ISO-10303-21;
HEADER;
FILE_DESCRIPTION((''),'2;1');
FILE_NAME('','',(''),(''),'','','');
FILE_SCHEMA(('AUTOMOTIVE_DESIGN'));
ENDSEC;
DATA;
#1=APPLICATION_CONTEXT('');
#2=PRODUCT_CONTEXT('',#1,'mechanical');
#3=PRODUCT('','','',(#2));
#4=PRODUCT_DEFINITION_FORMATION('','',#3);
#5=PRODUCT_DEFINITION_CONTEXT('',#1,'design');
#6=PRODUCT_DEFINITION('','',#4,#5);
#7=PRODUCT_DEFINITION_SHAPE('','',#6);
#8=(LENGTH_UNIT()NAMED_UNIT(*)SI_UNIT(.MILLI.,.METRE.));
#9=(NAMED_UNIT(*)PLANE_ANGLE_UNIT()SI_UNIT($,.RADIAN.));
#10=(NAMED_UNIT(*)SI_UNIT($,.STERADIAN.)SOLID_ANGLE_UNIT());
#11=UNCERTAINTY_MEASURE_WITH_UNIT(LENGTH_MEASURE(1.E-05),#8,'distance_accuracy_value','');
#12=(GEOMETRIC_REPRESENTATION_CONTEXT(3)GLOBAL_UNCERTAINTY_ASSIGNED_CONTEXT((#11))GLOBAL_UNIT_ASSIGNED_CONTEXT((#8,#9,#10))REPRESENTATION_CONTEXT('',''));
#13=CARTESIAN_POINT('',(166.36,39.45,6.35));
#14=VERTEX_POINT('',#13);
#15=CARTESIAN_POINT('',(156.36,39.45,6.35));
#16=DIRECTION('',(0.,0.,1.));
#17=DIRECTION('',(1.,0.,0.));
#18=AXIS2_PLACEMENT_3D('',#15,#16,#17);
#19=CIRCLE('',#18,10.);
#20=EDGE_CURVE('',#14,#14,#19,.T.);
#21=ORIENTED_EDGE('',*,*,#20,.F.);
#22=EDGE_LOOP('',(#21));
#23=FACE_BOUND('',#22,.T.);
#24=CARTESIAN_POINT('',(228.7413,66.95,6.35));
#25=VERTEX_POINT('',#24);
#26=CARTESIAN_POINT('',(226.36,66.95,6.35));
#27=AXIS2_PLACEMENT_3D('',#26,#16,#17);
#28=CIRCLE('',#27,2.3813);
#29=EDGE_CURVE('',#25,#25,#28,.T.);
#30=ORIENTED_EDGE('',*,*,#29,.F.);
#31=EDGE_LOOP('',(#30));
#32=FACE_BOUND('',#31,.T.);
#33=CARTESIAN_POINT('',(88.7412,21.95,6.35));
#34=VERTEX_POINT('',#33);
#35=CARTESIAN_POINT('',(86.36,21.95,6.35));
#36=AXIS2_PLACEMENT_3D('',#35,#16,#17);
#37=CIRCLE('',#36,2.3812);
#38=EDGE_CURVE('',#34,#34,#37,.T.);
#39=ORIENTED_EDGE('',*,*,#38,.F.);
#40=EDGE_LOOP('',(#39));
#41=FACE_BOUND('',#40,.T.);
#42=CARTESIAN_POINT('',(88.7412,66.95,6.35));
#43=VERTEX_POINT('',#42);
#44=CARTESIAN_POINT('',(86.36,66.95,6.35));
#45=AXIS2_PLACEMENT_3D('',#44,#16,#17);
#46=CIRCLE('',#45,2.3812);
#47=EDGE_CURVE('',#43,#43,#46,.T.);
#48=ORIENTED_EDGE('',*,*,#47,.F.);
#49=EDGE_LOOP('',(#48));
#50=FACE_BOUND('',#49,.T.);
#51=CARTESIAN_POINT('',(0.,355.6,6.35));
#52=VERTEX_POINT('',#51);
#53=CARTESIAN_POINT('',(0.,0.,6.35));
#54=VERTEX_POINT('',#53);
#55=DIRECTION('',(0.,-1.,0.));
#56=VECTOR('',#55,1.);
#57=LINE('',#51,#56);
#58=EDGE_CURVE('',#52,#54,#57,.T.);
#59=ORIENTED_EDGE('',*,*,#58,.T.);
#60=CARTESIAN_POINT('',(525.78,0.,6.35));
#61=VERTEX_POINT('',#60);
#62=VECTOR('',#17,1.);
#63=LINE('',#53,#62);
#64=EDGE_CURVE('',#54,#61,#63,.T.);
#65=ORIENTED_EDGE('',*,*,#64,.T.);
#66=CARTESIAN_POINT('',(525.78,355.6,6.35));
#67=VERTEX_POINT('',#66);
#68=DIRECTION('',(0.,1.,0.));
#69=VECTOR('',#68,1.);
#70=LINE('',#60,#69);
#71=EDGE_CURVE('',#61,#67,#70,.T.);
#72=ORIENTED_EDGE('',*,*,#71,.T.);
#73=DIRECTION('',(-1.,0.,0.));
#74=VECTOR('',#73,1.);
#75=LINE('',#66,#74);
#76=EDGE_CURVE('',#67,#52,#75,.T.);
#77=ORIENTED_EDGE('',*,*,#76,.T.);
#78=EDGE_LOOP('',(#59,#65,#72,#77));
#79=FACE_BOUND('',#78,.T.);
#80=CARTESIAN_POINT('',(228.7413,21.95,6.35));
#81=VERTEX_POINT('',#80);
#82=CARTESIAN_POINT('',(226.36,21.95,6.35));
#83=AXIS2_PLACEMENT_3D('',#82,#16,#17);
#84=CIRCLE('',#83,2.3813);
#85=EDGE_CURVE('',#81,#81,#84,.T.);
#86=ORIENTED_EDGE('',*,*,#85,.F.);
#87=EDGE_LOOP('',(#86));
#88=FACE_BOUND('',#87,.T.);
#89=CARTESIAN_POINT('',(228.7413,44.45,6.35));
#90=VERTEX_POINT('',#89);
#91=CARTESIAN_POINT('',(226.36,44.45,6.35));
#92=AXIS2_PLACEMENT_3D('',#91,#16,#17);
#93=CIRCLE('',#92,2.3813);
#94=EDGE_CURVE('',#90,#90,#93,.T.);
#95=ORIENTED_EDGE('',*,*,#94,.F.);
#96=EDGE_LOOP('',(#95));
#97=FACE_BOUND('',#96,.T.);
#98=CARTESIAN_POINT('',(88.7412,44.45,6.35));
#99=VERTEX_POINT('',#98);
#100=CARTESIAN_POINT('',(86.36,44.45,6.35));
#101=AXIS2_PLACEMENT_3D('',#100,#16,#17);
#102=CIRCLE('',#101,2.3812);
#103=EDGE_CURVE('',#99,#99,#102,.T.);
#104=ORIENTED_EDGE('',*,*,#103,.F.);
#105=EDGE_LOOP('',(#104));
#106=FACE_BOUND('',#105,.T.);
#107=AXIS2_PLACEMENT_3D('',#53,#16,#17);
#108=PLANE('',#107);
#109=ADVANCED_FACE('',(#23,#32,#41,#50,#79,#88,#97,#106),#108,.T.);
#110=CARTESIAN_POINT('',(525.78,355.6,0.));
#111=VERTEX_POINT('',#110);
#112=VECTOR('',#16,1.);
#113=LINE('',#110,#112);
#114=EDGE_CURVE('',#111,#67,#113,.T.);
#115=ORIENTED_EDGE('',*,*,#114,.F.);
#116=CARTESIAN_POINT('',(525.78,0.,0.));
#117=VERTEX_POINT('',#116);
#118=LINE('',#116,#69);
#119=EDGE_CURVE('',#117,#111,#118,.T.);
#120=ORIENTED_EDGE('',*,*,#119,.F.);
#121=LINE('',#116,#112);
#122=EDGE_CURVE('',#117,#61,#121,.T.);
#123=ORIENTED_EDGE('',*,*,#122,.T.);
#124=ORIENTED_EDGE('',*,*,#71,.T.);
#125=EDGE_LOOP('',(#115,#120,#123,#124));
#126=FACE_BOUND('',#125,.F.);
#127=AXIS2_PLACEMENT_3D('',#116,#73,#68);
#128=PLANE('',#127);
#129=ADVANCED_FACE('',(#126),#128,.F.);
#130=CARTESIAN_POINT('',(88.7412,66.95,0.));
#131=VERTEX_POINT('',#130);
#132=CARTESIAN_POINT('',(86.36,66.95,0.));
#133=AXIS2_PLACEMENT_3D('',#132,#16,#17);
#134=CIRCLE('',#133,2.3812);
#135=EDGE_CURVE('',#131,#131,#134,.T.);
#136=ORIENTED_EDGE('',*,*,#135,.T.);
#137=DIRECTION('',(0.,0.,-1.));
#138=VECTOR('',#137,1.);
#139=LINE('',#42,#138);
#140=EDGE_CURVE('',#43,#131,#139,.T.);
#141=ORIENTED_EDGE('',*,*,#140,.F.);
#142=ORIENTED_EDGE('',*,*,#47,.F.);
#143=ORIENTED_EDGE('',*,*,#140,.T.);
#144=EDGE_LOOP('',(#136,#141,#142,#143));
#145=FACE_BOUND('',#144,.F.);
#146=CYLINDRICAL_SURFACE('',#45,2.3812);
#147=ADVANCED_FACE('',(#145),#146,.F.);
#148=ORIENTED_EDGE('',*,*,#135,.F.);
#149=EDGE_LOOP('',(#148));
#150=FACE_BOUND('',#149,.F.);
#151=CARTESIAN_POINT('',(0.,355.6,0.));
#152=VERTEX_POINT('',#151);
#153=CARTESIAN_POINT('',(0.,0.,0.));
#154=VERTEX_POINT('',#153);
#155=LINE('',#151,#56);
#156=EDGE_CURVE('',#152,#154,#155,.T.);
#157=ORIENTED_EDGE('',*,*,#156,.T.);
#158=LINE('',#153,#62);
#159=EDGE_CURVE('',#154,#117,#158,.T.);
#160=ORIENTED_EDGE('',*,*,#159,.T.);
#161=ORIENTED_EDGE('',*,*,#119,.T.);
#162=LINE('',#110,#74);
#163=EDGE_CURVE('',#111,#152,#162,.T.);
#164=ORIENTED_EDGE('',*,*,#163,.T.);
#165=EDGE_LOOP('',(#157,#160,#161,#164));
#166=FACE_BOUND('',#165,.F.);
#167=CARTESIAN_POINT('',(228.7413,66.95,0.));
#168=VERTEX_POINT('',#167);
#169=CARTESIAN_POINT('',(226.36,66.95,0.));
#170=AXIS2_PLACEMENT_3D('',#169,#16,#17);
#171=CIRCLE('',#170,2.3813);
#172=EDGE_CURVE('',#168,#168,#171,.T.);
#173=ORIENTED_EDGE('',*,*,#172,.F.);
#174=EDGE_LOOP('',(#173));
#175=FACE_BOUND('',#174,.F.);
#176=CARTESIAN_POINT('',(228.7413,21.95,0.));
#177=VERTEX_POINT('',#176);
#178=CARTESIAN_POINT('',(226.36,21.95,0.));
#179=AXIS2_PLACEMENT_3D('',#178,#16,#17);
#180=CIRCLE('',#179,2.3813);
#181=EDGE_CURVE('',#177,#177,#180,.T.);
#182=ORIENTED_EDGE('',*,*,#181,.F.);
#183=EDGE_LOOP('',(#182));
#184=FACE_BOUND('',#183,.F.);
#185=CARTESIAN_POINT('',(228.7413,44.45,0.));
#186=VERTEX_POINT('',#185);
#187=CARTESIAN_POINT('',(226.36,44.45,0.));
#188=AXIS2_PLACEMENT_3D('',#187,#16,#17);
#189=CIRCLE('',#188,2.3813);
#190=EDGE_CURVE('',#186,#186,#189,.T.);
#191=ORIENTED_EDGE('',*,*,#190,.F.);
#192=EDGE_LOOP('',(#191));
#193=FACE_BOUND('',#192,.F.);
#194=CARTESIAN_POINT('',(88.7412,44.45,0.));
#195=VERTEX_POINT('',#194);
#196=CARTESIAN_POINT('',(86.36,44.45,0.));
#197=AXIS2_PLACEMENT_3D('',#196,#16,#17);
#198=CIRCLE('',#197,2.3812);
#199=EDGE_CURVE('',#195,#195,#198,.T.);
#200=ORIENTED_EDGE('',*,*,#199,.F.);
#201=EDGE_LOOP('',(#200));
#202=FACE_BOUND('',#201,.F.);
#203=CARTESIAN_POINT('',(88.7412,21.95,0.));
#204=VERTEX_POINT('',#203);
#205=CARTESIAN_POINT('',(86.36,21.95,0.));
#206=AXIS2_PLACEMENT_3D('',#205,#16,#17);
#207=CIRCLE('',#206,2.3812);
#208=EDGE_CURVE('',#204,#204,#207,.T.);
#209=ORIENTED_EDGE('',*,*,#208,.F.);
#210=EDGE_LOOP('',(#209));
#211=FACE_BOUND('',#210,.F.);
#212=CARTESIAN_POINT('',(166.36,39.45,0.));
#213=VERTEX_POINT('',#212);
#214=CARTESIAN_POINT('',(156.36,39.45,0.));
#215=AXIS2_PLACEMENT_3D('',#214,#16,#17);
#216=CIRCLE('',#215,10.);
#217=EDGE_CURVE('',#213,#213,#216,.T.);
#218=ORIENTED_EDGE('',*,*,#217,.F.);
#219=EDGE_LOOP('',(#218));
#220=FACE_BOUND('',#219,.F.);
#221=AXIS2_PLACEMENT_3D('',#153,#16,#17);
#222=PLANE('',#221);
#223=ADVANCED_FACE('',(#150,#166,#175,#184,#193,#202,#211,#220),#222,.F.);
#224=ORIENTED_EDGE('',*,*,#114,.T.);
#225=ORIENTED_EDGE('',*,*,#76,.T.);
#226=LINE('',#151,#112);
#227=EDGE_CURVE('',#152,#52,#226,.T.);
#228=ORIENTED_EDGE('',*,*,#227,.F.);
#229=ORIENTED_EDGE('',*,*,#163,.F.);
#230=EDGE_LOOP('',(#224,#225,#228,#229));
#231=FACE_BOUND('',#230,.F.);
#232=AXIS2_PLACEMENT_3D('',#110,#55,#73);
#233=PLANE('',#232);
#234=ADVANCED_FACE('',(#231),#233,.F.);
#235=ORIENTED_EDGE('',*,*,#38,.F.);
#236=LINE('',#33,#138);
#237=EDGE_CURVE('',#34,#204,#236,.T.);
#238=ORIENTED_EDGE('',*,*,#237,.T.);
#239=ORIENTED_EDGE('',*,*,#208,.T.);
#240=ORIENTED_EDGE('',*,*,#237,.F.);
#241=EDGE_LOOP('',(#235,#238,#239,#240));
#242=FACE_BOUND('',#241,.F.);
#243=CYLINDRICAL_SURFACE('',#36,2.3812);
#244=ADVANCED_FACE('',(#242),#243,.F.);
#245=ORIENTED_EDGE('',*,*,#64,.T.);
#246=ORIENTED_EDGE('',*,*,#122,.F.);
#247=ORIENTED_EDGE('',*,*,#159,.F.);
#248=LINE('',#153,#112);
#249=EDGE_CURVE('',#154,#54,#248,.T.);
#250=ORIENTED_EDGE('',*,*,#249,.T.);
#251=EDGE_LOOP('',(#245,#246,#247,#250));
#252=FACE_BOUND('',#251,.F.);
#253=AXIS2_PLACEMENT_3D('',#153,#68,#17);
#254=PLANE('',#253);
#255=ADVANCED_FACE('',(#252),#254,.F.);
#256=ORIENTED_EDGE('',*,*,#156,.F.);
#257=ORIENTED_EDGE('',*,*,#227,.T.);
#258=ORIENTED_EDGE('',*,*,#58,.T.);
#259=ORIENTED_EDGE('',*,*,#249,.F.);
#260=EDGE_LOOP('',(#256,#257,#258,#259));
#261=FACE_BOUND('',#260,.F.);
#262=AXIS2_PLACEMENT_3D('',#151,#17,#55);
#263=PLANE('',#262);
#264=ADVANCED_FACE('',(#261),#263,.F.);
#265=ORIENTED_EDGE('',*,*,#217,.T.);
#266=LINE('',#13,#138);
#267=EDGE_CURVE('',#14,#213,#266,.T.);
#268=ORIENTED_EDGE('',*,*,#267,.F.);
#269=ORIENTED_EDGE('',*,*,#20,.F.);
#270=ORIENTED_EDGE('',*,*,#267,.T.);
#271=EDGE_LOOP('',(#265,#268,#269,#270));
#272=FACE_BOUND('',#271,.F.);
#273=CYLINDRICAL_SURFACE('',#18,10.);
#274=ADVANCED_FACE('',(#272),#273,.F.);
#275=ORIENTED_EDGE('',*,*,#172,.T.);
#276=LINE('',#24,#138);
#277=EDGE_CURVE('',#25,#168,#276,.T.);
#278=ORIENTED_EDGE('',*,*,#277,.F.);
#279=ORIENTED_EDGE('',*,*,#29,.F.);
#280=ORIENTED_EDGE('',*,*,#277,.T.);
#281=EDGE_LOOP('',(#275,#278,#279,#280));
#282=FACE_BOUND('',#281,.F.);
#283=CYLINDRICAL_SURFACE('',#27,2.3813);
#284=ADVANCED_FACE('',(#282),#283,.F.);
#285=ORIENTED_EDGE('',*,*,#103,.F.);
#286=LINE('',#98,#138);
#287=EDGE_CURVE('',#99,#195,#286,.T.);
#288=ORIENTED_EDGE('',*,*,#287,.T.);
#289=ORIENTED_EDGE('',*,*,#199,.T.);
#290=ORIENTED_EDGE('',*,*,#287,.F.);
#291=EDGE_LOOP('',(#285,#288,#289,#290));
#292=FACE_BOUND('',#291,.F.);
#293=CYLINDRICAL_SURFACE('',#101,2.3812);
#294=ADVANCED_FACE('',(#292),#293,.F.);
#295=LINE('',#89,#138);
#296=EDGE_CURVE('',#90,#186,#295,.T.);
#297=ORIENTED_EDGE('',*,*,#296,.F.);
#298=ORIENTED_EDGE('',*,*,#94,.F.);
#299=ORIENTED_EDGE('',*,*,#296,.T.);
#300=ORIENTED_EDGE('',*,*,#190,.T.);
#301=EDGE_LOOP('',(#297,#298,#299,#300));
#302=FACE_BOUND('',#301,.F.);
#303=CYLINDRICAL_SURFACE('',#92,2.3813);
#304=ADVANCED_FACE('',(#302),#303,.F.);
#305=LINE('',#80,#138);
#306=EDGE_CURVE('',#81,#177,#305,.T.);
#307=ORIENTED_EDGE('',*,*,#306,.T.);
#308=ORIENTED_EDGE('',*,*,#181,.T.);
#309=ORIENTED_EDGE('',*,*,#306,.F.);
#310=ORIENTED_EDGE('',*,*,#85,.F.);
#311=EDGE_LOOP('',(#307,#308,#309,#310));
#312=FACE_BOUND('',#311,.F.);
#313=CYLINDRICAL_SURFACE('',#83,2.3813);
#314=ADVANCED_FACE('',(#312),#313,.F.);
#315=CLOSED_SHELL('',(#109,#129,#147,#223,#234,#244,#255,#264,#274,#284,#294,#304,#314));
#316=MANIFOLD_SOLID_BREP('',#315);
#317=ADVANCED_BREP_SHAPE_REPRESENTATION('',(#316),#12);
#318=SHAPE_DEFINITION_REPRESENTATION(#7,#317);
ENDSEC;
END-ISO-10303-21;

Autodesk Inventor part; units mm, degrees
ref_plane "YZ Plane" through (0, 0, 0) normal (1, 0, 0) x (0, 1, 0)
ref_plane "XZ Plane" through (0, 0, 0) normal (0, 1, 0) x (-1, 0, 0)
ref_plane "XY Plane" through (0, 0, 0) normal (0, 0, 1) x (1, 0, 0)
sketch "Sketch1" plane through (0, 0, 0) normal (0, 0, 1) x (1, 0, 0)
  line L0 (0, 0) -> (525.78, 0)
  line L1 (525.78, 0) -> (525.78, 355.6)
  line L2 (525.78, 355.6) -> (0, 355.6)
  line L3 (0, 355.6) -> (0, 0)
  dimension "d0" = 525.78
  dimension "d1" = 355.6
extrude "Extrusion1" add sketch "Sketch1" along normal blind 6.35
sketch "Sketch9" plane through (0, 0, 6.35) normal (0, 0, 1) x (1, 0, 0)
  line L0 (525.78, 0) -> (525.78, 355.6) construction
  line L1 (0, 0) -> (525.78, 0) construction
  line L2 (525.78, 0) -> (525.78, 88.9)
  line L3 (525.78, 88.9) -> (0, 88.9) construction
  line L4 (0, 88.9) -> (0, 0) construction
  line L5 (86.36, 21.95) -> (86.36, 66.95) construction
  line L6 (86.36, 66.95) -> (226.36, 66.95) construction
  line L7 (226.36, 66.95) -> (226.36, 21.95) construction
  line L8 (226.36, 21.95) -> (86.36, 21.95) construction
  circle A0 centre (86.36, 66.95) radius 2.3812
  circle A1 centre (86.36, 44.45) radius 2.3812
  circle A2 centre (86.36, 21.95) radius 2.3812
  circle A3 centre (226.36, 21.95) radius 2.3813
  circle A4 centre (226.36, 44.45) radius 2.3813
  circle A5 centre (226.36, 66.95) radius 2.3813
  line L9 (86.36, 44.45) -> (226.36, 44.45) construction
  line L10 (156.36, 66.95) -> (156.36, 21.95) construction
  line L11 (146.36, 49.45) -> (146.36, 29.45) construction
  line L12 (146.36, 29.45) -> (166.36, 29.45) construction
  line L13 (166.36, 29.45) -> (166.36, 49.45) construction
  line L14 (166.36, 49.45) -> (146.36, 49.45) construction
  circle A6 centre (156.36, 39.45) radius 10
  point P0 (0, 44.45)
  point P1 (146.36, 39.45)
  point P2 (166.36, 39.45)
  dimension "d41" = 45
  dimension "d42" = 140
  dimension "d43" = 4.7625
  dimension "d44" = 4.7625
  dimension "d45" = 4.7625
  dimension "d46" = 4.7625
  dimension "d47" = 4.7625
  dimension "d48" = 4.7625
  dimension "d49" = 60
  dimension "d50" = 7.5
  dimension "d51" = 20
  dimension "d52" = 20
  dimension "d53" = 86.36
  dimension "d54" = 88.9
extrude "Extrusion8" cut sketch "Sketch9" against normal through all
properties part number "BA12" material "ABS Plastic"
